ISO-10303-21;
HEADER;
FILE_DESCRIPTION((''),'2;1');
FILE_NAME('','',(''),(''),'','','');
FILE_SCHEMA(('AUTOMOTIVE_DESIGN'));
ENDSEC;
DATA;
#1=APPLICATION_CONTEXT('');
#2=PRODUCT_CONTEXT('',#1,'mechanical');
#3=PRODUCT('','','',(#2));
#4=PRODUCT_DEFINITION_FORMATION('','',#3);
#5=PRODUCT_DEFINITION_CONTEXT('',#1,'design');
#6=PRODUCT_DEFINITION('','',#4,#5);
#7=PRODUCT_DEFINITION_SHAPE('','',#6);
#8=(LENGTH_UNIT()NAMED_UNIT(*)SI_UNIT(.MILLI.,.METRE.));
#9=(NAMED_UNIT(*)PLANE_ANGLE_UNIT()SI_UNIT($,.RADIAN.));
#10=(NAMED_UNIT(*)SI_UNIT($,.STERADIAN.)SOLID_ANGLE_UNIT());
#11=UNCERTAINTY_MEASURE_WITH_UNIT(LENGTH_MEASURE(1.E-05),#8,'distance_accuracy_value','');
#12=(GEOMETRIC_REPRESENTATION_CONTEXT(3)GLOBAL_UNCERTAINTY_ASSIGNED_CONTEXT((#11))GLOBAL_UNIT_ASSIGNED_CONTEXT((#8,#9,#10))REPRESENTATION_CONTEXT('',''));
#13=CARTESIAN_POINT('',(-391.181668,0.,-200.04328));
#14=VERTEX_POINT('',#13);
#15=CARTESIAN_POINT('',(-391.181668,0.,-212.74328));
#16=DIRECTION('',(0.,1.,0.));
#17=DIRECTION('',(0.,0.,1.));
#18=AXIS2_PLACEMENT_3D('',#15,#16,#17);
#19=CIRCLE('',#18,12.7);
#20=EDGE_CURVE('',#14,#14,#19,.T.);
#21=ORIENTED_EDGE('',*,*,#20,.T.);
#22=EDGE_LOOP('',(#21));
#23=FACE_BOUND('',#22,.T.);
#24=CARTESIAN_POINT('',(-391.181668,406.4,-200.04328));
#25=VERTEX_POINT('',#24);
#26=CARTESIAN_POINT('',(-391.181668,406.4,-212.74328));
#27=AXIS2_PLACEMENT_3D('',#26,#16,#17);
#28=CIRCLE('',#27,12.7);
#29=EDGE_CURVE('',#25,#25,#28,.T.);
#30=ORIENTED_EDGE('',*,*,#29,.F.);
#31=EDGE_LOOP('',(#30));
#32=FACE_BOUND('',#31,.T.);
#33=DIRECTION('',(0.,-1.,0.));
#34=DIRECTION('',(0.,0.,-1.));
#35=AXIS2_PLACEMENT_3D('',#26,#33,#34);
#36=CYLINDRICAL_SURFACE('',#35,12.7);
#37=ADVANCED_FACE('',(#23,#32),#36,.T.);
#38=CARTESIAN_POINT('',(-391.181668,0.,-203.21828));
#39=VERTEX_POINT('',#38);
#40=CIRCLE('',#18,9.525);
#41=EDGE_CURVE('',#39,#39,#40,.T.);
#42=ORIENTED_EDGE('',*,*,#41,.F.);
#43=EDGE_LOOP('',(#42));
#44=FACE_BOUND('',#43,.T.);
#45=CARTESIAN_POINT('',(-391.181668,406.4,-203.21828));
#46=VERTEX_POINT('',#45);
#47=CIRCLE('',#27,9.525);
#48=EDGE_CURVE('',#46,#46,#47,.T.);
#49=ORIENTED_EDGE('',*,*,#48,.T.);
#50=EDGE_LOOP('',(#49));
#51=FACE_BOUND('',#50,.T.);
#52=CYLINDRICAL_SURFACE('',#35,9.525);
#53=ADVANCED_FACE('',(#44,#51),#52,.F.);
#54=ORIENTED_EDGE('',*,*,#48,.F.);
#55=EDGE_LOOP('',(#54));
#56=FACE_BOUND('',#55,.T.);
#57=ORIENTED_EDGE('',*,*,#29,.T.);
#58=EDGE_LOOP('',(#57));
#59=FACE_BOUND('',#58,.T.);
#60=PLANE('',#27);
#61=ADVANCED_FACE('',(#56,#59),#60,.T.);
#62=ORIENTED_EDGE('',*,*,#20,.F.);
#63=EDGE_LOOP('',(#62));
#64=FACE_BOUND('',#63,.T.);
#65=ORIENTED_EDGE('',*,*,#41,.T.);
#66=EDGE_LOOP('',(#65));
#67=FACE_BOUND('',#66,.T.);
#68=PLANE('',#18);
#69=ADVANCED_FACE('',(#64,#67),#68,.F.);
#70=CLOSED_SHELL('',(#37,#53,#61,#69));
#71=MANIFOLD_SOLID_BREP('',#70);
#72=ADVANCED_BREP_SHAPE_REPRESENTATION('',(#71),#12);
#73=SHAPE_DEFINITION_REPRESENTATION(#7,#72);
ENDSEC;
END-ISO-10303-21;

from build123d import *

# Parameters (mm, degrees)
SKETCH1_R           = 12.7
SKETCH1_R_2         = 9.525
BOSS_EXTRUDE2_DEPTH = 406.4


with BuildPart() as part:
    # Sketch1 → Boss-Extrude2 (new body)
    with BuildSketch(Plane(origin=(0, 0, 0), x_dir=(1, 0, 0), z_dir=(0, 1, 0))):
        with Locations((-391.181668083, 212.743279788)):
            Circle(SKETCH1_R)
        with Locations((-391.181668083, 212.743279788)):
            Circle(SKETCH1_R_2, mode=Mode.SUBTRACT)
    extrude(amount=BOSS_EXTRUDE2_DEPTH)


solid = part.part
